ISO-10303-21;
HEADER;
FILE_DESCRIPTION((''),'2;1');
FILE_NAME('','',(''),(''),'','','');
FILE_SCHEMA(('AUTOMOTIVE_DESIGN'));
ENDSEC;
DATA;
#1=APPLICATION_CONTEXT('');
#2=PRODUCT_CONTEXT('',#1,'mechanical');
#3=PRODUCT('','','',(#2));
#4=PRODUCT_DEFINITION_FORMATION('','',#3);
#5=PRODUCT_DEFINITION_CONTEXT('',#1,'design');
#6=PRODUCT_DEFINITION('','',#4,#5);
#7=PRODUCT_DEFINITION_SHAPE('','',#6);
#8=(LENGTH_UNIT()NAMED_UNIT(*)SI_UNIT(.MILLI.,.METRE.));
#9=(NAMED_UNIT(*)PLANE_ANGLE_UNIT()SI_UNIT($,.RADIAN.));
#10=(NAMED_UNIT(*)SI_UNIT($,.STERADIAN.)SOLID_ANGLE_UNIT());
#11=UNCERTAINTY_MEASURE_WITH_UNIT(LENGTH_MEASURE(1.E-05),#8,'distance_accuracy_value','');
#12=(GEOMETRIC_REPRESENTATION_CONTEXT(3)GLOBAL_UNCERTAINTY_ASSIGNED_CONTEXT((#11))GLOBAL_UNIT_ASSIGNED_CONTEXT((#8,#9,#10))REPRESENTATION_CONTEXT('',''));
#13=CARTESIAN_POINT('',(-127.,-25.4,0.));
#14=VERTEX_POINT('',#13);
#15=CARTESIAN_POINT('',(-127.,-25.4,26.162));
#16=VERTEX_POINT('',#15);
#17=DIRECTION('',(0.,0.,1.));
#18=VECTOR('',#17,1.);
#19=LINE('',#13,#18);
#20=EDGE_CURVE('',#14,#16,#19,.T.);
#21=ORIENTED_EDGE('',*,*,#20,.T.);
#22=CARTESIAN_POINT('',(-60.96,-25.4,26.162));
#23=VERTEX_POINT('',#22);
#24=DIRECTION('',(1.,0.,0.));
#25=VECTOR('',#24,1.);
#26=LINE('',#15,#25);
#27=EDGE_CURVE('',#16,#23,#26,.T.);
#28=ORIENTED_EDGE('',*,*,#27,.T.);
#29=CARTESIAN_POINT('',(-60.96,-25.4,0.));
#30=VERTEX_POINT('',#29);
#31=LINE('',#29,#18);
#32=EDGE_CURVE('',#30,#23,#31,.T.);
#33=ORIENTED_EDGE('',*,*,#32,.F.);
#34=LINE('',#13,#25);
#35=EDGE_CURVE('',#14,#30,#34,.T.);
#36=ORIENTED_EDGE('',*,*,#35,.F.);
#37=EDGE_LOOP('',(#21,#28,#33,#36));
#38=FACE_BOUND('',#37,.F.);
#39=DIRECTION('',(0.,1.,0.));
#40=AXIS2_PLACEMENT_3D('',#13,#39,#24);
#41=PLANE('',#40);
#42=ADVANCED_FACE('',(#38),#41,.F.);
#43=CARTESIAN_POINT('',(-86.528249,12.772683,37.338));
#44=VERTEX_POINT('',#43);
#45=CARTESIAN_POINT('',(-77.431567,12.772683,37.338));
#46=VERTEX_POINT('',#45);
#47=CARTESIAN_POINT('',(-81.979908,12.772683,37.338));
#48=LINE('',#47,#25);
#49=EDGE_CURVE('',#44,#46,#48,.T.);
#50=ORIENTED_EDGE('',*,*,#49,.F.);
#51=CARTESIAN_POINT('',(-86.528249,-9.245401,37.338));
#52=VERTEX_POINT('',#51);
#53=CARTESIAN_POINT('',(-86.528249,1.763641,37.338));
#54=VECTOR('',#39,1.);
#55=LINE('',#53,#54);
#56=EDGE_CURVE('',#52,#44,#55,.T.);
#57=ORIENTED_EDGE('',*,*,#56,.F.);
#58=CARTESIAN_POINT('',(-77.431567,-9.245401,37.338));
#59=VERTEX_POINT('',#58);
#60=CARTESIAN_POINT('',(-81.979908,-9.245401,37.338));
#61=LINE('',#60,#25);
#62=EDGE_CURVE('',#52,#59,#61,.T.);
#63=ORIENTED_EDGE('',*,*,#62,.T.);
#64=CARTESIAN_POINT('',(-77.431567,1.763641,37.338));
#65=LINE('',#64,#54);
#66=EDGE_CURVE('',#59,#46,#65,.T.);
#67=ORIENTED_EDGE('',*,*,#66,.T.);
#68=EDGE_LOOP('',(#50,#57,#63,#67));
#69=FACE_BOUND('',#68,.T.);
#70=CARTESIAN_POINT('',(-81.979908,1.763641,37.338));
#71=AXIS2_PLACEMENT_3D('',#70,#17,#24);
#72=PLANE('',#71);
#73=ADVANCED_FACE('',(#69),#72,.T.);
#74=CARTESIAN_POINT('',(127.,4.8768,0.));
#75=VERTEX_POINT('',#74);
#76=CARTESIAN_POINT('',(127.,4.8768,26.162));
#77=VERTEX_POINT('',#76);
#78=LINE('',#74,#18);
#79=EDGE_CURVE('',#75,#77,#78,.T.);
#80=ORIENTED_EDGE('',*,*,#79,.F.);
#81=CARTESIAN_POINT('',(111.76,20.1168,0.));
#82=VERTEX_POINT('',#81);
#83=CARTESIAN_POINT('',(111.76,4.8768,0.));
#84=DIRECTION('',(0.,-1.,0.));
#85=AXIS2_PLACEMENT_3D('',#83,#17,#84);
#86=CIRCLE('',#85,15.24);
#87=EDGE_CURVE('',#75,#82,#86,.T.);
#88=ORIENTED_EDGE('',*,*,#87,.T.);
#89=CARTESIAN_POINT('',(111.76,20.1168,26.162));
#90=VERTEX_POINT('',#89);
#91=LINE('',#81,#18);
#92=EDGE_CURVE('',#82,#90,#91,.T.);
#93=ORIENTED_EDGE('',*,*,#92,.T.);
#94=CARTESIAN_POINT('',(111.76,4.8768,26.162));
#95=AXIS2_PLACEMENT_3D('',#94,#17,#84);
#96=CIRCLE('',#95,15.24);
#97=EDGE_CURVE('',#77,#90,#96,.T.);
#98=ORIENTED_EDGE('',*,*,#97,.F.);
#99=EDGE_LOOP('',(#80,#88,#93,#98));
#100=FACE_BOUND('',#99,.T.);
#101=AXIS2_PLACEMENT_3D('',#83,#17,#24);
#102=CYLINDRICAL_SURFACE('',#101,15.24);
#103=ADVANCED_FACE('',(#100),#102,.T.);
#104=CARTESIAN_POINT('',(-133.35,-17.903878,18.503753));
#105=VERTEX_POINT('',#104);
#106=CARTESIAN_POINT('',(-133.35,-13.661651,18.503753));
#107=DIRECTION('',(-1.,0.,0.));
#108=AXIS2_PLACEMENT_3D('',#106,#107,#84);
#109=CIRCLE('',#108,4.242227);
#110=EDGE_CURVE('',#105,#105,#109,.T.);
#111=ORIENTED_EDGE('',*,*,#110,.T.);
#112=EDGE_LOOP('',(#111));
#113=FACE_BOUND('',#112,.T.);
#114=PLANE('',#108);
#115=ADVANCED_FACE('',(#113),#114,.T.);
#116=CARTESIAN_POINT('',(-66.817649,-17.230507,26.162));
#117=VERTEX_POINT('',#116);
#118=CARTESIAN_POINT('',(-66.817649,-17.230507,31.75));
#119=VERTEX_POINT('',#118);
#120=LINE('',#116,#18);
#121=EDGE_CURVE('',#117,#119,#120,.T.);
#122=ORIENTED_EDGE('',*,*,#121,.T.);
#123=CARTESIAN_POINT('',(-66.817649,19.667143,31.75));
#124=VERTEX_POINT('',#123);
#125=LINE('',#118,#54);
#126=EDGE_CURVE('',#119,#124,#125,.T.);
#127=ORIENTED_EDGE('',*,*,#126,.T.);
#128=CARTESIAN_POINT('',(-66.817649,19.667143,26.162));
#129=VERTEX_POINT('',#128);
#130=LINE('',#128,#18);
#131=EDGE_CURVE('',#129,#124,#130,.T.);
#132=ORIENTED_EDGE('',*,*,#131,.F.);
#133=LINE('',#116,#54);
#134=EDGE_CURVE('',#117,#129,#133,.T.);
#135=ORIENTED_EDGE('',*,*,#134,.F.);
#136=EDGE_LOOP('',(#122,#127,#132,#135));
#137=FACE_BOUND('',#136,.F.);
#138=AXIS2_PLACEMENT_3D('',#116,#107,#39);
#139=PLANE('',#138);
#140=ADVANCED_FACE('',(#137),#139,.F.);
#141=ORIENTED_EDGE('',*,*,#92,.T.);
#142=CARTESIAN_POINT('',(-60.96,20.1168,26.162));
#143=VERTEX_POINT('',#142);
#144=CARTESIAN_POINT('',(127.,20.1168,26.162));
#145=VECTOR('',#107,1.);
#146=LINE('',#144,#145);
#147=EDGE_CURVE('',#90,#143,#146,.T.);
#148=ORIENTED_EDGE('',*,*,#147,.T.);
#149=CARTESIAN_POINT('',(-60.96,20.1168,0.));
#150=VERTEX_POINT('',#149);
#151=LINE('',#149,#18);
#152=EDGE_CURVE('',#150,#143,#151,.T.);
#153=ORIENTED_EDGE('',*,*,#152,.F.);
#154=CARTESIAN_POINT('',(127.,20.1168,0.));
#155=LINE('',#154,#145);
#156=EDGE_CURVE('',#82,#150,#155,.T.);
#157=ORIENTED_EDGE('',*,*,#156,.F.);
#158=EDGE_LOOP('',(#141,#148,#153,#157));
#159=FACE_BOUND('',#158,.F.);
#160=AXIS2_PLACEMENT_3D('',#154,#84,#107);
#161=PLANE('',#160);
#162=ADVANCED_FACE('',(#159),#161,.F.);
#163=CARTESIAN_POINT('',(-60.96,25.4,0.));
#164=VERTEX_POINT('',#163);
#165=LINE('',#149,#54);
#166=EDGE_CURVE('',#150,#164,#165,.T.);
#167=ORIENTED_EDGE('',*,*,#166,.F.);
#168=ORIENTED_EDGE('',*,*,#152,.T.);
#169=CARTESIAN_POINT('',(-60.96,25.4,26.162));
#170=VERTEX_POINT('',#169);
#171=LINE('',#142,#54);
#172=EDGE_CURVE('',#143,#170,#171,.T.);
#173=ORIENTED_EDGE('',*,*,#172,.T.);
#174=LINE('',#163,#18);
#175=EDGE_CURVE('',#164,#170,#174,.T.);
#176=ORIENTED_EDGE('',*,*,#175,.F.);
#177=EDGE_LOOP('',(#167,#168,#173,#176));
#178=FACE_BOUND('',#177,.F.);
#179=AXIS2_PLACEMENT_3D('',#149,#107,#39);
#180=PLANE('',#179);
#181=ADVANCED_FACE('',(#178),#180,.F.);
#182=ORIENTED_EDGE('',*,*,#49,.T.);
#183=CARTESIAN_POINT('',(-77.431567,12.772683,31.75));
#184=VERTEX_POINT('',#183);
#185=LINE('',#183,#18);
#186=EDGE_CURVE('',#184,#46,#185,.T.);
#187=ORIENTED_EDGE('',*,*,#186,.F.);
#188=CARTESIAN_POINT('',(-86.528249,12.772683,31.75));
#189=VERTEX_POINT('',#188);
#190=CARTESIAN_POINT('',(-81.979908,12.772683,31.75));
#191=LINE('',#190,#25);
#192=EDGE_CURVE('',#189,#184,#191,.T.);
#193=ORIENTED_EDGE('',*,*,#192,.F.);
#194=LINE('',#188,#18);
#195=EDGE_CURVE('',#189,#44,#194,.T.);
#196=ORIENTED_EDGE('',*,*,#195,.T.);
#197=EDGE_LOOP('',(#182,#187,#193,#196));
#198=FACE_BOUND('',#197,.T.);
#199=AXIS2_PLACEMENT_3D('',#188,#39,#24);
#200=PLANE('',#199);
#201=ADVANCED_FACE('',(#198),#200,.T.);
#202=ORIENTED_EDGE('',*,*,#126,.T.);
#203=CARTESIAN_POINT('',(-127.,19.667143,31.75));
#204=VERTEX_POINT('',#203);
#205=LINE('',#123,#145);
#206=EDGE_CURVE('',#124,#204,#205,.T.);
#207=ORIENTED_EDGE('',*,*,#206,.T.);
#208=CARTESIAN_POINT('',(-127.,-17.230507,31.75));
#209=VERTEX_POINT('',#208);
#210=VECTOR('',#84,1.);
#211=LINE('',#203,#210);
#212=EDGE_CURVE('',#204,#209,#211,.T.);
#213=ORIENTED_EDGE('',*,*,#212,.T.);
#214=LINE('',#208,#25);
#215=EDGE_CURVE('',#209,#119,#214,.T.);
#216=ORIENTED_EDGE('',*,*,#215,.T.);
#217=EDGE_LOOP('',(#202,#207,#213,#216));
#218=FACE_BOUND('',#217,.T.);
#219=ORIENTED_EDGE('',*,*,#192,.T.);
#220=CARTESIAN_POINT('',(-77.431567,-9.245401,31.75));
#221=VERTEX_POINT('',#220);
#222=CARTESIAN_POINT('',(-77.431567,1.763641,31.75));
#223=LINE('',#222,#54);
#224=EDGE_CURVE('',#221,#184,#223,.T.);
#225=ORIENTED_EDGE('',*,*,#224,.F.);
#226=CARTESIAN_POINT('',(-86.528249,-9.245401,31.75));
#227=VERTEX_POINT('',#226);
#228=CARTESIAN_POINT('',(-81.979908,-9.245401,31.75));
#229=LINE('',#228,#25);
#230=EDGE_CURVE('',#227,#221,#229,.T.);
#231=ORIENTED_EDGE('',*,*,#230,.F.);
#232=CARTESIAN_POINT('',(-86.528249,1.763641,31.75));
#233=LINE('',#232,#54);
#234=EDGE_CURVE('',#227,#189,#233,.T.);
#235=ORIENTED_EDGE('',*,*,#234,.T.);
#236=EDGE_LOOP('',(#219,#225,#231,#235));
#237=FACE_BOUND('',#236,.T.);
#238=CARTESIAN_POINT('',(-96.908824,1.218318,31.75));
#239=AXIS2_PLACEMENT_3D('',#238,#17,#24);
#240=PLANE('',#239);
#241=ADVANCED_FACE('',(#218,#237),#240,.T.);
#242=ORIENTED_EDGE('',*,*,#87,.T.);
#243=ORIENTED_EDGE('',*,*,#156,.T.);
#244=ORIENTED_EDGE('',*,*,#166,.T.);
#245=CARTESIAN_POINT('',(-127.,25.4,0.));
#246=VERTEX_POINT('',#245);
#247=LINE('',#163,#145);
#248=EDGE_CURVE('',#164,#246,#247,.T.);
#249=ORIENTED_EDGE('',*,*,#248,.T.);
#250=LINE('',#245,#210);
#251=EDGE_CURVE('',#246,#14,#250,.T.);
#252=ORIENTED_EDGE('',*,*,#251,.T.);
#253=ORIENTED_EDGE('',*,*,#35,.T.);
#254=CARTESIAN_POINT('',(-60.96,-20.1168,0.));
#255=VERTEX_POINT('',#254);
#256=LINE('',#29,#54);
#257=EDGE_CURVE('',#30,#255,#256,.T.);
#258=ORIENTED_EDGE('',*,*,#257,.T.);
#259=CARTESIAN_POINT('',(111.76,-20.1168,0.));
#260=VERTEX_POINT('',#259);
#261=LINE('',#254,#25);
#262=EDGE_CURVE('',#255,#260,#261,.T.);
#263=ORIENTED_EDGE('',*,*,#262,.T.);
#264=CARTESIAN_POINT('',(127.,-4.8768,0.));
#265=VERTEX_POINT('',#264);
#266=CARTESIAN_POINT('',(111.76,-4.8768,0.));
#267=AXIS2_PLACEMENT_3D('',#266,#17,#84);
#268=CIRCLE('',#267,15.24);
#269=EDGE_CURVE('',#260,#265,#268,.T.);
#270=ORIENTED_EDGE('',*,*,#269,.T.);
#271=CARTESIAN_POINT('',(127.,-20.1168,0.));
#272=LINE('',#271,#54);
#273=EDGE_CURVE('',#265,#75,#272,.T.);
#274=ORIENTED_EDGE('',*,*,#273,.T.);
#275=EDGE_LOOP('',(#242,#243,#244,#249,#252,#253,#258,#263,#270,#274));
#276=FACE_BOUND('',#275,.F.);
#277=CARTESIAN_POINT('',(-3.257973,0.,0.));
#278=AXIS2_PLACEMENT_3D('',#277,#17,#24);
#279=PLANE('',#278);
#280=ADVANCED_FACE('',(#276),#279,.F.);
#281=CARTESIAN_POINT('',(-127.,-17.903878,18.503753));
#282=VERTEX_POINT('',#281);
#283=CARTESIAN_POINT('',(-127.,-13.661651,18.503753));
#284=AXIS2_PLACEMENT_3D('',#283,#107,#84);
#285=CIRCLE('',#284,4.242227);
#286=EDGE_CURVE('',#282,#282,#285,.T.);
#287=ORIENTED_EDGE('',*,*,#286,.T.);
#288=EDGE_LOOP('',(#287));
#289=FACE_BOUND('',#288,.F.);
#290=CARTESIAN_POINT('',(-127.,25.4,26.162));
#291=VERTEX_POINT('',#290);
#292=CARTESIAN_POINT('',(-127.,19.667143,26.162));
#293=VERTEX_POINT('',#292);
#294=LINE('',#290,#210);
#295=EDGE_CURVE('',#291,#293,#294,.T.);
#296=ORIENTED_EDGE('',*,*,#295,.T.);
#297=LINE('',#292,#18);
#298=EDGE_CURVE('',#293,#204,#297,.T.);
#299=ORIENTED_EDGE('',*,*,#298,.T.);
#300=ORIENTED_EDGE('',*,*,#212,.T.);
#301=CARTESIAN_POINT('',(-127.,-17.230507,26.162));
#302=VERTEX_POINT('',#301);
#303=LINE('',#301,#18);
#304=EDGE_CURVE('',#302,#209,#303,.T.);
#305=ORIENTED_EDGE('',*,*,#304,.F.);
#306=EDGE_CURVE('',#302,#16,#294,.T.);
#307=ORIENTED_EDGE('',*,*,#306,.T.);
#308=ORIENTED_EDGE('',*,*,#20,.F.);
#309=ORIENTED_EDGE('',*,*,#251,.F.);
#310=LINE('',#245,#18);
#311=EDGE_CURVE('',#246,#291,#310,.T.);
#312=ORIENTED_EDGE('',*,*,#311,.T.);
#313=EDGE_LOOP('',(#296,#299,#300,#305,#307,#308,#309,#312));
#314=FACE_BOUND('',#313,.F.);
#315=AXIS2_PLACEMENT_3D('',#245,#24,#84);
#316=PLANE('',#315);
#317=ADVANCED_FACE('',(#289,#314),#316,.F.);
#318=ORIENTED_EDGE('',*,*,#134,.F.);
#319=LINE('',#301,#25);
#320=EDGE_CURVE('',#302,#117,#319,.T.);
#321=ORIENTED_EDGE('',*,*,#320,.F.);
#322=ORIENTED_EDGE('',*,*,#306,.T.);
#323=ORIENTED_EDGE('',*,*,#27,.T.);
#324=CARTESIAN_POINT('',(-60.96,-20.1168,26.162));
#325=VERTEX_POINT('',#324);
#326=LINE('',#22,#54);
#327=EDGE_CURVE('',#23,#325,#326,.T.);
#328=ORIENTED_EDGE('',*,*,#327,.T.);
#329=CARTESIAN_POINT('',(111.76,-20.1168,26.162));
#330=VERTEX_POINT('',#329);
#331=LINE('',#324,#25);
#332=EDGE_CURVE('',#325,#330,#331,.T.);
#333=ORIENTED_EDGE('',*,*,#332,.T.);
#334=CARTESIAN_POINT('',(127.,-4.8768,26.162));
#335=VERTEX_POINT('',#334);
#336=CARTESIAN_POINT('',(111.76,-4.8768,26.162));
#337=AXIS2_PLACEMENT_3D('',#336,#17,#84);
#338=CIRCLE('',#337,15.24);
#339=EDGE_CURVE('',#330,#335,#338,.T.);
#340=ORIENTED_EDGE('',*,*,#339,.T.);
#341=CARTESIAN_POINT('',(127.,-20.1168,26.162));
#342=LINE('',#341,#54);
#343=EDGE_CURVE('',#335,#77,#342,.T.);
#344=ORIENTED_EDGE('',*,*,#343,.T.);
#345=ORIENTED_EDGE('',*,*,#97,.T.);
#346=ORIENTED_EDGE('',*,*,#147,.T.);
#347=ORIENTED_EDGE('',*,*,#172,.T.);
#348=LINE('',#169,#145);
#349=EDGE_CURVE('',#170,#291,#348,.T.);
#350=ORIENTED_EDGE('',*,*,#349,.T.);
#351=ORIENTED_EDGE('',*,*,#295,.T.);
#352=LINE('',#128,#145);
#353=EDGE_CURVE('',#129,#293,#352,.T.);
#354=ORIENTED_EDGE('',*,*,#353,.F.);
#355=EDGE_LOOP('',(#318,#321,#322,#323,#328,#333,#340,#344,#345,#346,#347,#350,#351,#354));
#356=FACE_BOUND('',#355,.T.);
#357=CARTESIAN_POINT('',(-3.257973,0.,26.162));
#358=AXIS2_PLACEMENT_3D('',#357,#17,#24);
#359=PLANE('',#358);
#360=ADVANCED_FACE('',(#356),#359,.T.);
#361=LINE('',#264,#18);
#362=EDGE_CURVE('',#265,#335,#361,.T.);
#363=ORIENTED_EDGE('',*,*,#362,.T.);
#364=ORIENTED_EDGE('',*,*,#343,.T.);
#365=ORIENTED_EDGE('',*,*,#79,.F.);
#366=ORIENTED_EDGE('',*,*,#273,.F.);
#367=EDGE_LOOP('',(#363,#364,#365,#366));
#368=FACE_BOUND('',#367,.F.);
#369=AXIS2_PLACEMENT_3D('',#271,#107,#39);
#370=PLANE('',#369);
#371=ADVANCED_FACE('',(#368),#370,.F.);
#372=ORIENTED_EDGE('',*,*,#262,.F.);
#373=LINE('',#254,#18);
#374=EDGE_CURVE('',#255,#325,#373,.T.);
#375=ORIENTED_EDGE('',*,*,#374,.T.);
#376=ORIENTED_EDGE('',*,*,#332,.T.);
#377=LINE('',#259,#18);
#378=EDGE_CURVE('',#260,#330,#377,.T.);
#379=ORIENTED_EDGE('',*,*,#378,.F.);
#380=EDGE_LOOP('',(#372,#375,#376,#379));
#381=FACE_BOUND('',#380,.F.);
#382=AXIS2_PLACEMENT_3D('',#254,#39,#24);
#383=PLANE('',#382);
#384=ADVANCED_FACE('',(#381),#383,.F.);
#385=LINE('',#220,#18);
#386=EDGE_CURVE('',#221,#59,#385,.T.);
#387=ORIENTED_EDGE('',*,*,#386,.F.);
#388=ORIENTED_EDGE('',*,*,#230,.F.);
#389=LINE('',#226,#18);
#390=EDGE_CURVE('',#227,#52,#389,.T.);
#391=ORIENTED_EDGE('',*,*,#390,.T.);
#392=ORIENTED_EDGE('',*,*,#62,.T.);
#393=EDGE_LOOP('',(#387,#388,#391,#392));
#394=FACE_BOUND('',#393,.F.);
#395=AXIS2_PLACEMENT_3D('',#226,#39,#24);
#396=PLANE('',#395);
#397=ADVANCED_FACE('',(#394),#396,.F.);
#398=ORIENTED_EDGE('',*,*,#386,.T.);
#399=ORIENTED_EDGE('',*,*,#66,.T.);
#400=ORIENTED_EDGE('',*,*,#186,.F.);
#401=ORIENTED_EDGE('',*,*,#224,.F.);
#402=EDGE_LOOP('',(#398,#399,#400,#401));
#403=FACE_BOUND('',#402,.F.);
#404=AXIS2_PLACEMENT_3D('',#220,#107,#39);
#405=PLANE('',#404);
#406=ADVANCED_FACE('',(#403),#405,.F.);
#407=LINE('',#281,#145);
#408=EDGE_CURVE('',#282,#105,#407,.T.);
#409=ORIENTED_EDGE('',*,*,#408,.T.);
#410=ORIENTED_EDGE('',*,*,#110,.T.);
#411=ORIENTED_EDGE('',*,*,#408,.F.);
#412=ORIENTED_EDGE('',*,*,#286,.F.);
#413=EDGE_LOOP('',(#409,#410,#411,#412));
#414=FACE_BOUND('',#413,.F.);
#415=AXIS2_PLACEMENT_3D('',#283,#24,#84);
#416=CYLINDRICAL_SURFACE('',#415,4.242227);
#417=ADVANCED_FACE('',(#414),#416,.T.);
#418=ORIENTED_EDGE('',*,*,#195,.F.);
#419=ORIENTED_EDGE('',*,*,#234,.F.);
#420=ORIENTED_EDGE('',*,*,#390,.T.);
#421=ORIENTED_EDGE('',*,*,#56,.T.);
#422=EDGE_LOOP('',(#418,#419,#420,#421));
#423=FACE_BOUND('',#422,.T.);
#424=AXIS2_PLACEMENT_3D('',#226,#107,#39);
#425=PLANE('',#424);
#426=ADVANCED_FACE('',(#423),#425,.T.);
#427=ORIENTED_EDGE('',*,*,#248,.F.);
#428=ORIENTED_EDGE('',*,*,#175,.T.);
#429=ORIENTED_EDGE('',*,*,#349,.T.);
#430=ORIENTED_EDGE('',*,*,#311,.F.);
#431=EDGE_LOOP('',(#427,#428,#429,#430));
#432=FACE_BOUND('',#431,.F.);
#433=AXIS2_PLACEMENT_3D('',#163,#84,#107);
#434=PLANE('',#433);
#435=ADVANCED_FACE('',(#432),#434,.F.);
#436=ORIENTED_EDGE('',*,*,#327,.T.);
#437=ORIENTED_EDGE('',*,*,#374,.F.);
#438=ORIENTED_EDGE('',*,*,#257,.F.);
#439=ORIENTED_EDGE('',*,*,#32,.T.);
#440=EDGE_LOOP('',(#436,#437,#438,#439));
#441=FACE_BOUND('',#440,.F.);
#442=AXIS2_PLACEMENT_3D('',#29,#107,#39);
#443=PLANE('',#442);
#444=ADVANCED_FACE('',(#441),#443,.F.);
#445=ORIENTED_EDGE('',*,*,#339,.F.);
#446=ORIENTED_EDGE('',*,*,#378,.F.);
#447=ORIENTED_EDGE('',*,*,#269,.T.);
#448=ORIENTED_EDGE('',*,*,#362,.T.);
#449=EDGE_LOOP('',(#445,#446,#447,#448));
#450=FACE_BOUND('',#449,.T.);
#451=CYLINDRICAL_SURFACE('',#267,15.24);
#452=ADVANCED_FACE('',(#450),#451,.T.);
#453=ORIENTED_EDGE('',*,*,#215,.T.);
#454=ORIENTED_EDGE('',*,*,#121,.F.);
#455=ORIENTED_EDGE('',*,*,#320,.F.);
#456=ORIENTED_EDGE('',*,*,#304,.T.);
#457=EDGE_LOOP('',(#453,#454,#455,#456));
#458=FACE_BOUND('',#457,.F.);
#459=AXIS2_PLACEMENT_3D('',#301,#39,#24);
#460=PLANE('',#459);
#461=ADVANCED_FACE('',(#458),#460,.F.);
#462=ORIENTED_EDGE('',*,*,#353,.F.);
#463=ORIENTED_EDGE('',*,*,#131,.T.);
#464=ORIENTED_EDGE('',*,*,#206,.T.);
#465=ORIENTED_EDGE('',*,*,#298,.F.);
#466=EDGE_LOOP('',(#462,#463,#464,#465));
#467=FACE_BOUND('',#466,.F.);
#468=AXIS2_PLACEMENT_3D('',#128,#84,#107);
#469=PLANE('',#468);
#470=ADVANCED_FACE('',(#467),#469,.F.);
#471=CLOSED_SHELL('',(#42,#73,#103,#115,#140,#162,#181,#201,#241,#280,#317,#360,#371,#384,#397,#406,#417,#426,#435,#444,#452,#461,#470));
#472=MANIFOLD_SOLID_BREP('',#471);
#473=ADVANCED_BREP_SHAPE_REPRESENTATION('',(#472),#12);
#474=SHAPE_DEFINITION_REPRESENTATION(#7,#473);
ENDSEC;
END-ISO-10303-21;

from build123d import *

# Parameters (mm, degrees)
F1_DEPTH = 26.162
F2_R     = 4.242227
F3_DEPTH = 6.35
F5_DEPTH = 5.588
F6_W     = 9.096682
F6_H     = 22.018083
F7_DEPTH = 5.588
F8_R     = 15.24


with BuildPart() as f1:
    # F0 (on Top) → F1 (new body)
    with BuildSketch(Plane.XY):
        Polygon((-127, -25.4), (-60.96, -25.4), (-60.96, -20.1168), (127, -20.1168), (127, 20.1168), (-60.96, 20.1168), (-60.96, 25.4), (-127, 25.4), align=None)
    extrude(amount=F1_DEPTH)

    # F2 (on face) → F3 (join)
    with BuildSketch(Plane(origin=(-127, 0, 0), x_dir=(0, -1, 0), z_dir=(-1, 0, 0))):
        with Locations((13.661651, 18.503753)):
            Circle(F2_R)
    extrude(amount=F3_DEPTH)

    # F4 (on face) → F5 (join)
    with BuildSketch(Plane.XY.offset(26.162)):
        Polygon((-66.817649, 19.667143), (-127, 19.667143), (-127, -17.230507), (-66.817649, -17.230507), (-66.817649, 1.218318), align=None)
    extrude(amount=F5_DEPTH)

    # F6 (on face) → F7 (join)
    with BuildSketch(Plane.XY.offset(31.75)):
        with Locations((-81.979908, 1.763641)):
            Rectangle(F6_W, F6_H)
    extrude(amount=F7_DEPTH)

    # F8
    f8_edges = [f1.edges().sort_by_distance(p)[0] for p in [
        (127, -20.1168, 13.081),
        (127, 20.1168, 13.081),
    ]]
    fillet(f8_edges, radius=F8_R)


solid = f1.part
